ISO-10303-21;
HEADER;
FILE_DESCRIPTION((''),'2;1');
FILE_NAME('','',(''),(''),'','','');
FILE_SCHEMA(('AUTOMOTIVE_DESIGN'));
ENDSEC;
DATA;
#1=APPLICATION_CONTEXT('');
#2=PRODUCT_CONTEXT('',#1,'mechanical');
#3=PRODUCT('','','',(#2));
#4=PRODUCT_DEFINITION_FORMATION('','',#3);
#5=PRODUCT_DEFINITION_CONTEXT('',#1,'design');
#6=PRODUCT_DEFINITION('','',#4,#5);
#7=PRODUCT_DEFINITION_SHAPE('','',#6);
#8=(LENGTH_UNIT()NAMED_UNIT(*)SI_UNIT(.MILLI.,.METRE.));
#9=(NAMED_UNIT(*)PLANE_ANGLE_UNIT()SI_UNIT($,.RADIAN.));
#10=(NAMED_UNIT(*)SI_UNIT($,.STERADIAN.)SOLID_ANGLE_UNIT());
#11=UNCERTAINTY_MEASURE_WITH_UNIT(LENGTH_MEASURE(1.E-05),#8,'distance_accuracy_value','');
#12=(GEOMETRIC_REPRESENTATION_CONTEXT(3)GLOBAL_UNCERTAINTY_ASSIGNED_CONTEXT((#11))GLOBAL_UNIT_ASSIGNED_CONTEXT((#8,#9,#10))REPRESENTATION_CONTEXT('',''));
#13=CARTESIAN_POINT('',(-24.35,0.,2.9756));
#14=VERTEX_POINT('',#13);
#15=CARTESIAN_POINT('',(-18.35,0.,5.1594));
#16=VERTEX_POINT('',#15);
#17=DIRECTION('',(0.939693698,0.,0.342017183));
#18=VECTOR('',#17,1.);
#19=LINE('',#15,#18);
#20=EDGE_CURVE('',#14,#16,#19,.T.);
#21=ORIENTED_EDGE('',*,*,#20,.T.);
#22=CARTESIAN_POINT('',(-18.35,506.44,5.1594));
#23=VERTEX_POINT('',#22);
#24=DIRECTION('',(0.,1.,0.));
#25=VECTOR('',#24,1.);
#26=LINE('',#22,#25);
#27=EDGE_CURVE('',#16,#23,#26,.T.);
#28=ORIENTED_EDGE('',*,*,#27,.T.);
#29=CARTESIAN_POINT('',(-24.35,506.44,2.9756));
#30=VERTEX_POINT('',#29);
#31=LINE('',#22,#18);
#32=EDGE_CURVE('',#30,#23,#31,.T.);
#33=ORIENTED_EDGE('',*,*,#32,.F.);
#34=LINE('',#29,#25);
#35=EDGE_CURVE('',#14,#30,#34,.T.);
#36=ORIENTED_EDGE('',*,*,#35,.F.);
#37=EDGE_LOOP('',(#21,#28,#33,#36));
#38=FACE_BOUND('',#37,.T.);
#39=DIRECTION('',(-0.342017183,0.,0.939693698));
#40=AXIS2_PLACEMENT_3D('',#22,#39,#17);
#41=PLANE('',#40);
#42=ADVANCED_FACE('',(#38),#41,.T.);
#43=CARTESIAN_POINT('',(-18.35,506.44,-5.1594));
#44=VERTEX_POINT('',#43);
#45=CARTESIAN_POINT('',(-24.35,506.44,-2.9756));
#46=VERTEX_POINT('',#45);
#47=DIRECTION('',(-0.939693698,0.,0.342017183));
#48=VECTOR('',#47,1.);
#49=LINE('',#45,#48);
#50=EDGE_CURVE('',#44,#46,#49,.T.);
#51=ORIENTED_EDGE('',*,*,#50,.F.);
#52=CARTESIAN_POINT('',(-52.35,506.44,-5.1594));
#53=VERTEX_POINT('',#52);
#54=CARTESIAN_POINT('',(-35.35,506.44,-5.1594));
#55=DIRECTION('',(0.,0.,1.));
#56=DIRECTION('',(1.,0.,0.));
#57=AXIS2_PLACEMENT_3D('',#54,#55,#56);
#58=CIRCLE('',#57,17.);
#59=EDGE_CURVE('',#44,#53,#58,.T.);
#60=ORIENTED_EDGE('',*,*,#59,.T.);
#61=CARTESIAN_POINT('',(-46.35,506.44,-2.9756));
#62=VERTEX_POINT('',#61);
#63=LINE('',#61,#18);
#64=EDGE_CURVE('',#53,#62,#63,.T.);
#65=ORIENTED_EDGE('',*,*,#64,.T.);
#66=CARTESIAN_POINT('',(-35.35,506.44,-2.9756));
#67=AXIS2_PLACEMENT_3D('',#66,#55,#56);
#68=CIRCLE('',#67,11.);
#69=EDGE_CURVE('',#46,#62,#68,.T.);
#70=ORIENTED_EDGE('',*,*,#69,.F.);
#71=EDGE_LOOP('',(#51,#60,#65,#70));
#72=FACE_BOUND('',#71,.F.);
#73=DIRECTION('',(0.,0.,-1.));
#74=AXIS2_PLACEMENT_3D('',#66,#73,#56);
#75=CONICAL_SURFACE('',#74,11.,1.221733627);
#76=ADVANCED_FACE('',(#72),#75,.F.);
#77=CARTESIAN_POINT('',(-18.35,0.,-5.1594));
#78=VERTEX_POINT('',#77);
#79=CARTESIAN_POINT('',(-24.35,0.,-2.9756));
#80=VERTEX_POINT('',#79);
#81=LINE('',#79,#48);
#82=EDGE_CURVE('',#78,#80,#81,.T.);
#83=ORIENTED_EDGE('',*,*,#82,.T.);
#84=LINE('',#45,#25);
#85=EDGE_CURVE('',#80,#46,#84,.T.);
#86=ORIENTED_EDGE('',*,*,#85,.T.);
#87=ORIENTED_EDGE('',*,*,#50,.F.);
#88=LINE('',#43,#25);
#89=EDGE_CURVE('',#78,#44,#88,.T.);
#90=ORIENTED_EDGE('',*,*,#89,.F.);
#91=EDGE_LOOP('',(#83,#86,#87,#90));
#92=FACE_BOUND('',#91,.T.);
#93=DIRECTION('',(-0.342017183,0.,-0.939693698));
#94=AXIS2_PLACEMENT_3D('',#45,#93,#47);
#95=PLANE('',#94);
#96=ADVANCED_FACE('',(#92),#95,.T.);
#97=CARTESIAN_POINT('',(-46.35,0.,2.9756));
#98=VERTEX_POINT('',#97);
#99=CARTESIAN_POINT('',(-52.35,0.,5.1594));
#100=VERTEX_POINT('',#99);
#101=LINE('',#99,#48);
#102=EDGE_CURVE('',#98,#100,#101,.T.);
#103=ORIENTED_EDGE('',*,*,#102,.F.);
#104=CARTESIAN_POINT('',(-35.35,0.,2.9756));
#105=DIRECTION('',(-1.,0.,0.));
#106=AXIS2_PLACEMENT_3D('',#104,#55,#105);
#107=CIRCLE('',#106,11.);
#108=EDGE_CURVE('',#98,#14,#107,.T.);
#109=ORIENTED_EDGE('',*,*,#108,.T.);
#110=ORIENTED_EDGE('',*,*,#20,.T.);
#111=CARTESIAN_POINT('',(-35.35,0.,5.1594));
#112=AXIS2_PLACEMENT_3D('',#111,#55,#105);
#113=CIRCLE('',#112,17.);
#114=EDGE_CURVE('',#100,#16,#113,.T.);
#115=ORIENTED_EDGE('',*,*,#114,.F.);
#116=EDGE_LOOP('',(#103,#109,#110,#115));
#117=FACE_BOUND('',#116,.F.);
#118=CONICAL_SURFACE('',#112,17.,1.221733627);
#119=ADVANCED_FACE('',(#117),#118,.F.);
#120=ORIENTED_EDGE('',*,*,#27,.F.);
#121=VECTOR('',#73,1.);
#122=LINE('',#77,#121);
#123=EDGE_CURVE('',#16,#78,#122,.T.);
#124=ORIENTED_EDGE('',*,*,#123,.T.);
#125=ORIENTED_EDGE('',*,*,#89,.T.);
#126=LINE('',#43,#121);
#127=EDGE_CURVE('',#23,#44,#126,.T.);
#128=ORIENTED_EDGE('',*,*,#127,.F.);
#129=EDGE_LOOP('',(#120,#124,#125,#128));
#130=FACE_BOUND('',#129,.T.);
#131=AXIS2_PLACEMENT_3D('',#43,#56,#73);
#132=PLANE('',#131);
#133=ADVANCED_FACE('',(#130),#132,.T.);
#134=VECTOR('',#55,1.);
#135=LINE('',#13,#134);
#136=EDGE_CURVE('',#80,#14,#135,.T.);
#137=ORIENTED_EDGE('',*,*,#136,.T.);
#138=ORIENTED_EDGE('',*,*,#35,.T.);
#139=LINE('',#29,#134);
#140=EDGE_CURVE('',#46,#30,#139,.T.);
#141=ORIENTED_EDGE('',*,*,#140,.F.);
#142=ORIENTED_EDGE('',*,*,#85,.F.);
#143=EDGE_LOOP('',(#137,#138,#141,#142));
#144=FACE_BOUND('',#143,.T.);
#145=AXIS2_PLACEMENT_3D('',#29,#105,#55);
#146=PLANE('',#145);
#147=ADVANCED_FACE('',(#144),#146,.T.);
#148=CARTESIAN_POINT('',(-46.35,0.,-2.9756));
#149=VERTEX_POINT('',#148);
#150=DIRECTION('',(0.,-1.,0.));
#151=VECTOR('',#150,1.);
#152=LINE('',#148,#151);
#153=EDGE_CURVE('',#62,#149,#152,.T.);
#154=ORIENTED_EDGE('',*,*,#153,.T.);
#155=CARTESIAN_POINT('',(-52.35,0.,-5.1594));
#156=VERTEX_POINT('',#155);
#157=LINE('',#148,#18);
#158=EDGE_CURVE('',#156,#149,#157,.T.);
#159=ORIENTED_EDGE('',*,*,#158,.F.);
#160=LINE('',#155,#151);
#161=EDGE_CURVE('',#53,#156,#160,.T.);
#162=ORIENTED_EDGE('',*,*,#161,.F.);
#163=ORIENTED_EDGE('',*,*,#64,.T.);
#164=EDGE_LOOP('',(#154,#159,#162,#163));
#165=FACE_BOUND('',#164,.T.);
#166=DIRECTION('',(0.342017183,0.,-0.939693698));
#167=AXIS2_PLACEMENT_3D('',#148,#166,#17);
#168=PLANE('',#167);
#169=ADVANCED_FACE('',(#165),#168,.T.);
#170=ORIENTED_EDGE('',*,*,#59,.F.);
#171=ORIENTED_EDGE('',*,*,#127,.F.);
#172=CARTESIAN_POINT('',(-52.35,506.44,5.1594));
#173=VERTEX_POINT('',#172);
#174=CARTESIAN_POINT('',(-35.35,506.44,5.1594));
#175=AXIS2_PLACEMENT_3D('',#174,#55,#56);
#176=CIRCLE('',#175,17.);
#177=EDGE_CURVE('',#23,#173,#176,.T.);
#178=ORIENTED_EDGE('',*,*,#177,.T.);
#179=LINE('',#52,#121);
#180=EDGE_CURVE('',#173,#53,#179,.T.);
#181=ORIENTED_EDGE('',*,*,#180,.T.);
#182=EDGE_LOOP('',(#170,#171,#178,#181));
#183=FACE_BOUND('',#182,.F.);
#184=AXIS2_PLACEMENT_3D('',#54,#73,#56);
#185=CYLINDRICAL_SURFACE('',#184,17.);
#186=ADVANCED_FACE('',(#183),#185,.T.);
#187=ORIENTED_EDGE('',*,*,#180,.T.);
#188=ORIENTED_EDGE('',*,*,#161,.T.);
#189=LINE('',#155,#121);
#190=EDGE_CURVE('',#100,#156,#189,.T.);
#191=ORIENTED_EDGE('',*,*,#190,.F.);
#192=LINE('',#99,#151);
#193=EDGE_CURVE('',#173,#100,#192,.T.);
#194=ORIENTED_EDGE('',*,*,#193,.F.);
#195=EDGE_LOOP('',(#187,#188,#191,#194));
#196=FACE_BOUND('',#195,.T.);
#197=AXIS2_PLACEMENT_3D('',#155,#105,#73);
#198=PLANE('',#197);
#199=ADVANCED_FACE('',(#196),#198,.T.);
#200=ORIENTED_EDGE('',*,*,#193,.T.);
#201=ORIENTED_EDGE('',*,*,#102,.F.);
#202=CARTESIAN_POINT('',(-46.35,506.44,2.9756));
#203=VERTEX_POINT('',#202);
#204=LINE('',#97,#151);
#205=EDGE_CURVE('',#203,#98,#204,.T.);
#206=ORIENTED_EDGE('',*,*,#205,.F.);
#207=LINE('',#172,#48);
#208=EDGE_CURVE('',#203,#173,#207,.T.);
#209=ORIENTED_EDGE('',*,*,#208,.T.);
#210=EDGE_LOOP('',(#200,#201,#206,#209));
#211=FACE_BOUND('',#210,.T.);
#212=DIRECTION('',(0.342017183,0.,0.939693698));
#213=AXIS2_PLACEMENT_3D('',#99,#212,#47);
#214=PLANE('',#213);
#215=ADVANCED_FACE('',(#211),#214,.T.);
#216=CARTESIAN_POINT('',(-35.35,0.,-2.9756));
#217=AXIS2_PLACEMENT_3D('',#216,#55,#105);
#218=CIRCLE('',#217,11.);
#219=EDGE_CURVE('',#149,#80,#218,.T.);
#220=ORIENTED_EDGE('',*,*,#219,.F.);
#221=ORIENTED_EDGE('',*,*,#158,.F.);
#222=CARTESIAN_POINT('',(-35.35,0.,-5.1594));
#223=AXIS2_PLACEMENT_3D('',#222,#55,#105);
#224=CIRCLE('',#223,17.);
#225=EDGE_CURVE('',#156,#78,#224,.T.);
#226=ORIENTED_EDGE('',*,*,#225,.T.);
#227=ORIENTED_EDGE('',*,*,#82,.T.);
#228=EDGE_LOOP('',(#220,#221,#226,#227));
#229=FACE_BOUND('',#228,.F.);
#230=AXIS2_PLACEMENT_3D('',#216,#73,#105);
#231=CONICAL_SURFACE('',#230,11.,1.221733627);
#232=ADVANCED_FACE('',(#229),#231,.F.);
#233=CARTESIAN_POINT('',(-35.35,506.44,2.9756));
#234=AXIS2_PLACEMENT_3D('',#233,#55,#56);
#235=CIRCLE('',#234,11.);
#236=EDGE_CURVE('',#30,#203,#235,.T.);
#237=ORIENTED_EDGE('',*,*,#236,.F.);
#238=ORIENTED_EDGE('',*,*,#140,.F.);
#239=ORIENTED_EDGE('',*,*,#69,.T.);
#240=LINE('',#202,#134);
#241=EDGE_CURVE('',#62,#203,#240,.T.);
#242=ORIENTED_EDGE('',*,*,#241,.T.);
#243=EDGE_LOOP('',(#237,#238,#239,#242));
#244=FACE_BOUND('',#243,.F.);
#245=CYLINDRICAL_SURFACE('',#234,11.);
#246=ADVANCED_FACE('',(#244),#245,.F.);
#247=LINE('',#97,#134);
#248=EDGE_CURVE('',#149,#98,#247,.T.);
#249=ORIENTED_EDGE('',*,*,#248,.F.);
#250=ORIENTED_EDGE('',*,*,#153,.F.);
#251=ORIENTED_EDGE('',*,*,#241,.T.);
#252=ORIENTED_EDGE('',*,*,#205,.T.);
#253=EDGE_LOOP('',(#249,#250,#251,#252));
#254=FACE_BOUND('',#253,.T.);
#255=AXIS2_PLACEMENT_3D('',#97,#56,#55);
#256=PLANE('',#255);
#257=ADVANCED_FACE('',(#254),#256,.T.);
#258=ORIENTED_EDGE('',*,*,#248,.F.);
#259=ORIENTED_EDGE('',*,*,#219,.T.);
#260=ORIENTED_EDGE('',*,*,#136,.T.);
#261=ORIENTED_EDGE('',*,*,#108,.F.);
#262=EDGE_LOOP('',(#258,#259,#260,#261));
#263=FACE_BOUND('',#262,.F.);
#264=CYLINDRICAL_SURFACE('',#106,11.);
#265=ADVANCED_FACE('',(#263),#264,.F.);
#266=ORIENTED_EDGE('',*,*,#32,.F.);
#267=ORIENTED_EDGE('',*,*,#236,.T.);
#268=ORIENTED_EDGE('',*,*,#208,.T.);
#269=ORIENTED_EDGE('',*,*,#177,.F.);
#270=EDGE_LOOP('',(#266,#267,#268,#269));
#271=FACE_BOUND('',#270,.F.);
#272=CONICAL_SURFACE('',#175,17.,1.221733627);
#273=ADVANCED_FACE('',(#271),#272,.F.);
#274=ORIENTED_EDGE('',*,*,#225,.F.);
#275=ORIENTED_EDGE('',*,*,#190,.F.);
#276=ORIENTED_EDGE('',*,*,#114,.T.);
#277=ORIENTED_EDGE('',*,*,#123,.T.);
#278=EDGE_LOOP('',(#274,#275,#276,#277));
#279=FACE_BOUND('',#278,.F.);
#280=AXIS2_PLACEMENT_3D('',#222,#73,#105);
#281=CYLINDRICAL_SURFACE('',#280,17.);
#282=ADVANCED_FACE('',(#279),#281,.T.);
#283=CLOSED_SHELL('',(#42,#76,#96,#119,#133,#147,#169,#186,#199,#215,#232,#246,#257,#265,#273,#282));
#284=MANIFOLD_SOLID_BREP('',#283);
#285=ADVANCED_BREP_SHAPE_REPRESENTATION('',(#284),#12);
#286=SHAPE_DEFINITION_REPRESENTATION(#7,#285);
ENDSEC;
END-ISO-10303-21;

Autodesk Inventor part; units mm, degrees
ref_plane "YZ Plane" through (0, 0, 0) normal (1, 0, 0) x (0, 1, 0)
ref_plane "XZ Plane" through (0, 0, 0) normal (0, 1, 0) x (-1, 0, 0)
sketch "Sketch Path" plane through (0, 0, 0) normal (0, 0, 1) x (1, 0, 0)
  arc A0 (-49.8514, 0) -> (-20.8486, 0) centre (-35.35, 0) ccw
  arc A1 (-20.8486, 506.44) -> (-49.8514, 506.44) centre (-35.35, 506.44) ccw
  line L0 (-20.8486, 506.44) -> (-20.8486, 0)
  line L1 (-49.8514, 0) -> (-49.8514, 506.44)
ref_plane "Cross Section Plane" through (-20.8486, 0, 0) normal (0, 1, 0) x (0, 0, 1)
sketch "Cross Section" plane through (-20.8486, 0, 0) normal (0, 1, 0) x (0, 0, 1)
  line L0 (0, 2.4986) -> (0, -3.5014) construction
  line L1 (-4.25, 0) -> (4.25, 0) construction
  line L2 (-5.1594, 2.4986) -> (5.1594, 2.4986)
  line L3 (5.1594, 2.4986) -> (2.9756, -3.5014)
  line L4 (2.9756, -3.5014) -> (-2.9756, -3.5014)
  line L5 (-2.9756, -3.5014) -> (-5.1594, 2.4986)
  point P0 (0, 0)
  point P1 (0, 0)
  point P2 (0, 0)
  dimension "d0" = 8.5
  dimension "d1" = 2.4986
  dimension "d2" = 40
  dimension "d3" = 6
sweep "Belt" add profiles "Cross Section" path "Sketch Path"
equation "\"d0\" = da_Bw"
equation "\"d1\" = da_Hw"
equation "\"d2\" = da_Alfa"
equation "\"d3\" = da_H"
equation "\"da_Alfa\" = 40deg"
equation "\"da_H\" = 6"
equation "\"da_Bw\" = 8.5"
equation "\"da_Hw\" = 2.49859"
properties part number "V-Belt" material "Rubber"
